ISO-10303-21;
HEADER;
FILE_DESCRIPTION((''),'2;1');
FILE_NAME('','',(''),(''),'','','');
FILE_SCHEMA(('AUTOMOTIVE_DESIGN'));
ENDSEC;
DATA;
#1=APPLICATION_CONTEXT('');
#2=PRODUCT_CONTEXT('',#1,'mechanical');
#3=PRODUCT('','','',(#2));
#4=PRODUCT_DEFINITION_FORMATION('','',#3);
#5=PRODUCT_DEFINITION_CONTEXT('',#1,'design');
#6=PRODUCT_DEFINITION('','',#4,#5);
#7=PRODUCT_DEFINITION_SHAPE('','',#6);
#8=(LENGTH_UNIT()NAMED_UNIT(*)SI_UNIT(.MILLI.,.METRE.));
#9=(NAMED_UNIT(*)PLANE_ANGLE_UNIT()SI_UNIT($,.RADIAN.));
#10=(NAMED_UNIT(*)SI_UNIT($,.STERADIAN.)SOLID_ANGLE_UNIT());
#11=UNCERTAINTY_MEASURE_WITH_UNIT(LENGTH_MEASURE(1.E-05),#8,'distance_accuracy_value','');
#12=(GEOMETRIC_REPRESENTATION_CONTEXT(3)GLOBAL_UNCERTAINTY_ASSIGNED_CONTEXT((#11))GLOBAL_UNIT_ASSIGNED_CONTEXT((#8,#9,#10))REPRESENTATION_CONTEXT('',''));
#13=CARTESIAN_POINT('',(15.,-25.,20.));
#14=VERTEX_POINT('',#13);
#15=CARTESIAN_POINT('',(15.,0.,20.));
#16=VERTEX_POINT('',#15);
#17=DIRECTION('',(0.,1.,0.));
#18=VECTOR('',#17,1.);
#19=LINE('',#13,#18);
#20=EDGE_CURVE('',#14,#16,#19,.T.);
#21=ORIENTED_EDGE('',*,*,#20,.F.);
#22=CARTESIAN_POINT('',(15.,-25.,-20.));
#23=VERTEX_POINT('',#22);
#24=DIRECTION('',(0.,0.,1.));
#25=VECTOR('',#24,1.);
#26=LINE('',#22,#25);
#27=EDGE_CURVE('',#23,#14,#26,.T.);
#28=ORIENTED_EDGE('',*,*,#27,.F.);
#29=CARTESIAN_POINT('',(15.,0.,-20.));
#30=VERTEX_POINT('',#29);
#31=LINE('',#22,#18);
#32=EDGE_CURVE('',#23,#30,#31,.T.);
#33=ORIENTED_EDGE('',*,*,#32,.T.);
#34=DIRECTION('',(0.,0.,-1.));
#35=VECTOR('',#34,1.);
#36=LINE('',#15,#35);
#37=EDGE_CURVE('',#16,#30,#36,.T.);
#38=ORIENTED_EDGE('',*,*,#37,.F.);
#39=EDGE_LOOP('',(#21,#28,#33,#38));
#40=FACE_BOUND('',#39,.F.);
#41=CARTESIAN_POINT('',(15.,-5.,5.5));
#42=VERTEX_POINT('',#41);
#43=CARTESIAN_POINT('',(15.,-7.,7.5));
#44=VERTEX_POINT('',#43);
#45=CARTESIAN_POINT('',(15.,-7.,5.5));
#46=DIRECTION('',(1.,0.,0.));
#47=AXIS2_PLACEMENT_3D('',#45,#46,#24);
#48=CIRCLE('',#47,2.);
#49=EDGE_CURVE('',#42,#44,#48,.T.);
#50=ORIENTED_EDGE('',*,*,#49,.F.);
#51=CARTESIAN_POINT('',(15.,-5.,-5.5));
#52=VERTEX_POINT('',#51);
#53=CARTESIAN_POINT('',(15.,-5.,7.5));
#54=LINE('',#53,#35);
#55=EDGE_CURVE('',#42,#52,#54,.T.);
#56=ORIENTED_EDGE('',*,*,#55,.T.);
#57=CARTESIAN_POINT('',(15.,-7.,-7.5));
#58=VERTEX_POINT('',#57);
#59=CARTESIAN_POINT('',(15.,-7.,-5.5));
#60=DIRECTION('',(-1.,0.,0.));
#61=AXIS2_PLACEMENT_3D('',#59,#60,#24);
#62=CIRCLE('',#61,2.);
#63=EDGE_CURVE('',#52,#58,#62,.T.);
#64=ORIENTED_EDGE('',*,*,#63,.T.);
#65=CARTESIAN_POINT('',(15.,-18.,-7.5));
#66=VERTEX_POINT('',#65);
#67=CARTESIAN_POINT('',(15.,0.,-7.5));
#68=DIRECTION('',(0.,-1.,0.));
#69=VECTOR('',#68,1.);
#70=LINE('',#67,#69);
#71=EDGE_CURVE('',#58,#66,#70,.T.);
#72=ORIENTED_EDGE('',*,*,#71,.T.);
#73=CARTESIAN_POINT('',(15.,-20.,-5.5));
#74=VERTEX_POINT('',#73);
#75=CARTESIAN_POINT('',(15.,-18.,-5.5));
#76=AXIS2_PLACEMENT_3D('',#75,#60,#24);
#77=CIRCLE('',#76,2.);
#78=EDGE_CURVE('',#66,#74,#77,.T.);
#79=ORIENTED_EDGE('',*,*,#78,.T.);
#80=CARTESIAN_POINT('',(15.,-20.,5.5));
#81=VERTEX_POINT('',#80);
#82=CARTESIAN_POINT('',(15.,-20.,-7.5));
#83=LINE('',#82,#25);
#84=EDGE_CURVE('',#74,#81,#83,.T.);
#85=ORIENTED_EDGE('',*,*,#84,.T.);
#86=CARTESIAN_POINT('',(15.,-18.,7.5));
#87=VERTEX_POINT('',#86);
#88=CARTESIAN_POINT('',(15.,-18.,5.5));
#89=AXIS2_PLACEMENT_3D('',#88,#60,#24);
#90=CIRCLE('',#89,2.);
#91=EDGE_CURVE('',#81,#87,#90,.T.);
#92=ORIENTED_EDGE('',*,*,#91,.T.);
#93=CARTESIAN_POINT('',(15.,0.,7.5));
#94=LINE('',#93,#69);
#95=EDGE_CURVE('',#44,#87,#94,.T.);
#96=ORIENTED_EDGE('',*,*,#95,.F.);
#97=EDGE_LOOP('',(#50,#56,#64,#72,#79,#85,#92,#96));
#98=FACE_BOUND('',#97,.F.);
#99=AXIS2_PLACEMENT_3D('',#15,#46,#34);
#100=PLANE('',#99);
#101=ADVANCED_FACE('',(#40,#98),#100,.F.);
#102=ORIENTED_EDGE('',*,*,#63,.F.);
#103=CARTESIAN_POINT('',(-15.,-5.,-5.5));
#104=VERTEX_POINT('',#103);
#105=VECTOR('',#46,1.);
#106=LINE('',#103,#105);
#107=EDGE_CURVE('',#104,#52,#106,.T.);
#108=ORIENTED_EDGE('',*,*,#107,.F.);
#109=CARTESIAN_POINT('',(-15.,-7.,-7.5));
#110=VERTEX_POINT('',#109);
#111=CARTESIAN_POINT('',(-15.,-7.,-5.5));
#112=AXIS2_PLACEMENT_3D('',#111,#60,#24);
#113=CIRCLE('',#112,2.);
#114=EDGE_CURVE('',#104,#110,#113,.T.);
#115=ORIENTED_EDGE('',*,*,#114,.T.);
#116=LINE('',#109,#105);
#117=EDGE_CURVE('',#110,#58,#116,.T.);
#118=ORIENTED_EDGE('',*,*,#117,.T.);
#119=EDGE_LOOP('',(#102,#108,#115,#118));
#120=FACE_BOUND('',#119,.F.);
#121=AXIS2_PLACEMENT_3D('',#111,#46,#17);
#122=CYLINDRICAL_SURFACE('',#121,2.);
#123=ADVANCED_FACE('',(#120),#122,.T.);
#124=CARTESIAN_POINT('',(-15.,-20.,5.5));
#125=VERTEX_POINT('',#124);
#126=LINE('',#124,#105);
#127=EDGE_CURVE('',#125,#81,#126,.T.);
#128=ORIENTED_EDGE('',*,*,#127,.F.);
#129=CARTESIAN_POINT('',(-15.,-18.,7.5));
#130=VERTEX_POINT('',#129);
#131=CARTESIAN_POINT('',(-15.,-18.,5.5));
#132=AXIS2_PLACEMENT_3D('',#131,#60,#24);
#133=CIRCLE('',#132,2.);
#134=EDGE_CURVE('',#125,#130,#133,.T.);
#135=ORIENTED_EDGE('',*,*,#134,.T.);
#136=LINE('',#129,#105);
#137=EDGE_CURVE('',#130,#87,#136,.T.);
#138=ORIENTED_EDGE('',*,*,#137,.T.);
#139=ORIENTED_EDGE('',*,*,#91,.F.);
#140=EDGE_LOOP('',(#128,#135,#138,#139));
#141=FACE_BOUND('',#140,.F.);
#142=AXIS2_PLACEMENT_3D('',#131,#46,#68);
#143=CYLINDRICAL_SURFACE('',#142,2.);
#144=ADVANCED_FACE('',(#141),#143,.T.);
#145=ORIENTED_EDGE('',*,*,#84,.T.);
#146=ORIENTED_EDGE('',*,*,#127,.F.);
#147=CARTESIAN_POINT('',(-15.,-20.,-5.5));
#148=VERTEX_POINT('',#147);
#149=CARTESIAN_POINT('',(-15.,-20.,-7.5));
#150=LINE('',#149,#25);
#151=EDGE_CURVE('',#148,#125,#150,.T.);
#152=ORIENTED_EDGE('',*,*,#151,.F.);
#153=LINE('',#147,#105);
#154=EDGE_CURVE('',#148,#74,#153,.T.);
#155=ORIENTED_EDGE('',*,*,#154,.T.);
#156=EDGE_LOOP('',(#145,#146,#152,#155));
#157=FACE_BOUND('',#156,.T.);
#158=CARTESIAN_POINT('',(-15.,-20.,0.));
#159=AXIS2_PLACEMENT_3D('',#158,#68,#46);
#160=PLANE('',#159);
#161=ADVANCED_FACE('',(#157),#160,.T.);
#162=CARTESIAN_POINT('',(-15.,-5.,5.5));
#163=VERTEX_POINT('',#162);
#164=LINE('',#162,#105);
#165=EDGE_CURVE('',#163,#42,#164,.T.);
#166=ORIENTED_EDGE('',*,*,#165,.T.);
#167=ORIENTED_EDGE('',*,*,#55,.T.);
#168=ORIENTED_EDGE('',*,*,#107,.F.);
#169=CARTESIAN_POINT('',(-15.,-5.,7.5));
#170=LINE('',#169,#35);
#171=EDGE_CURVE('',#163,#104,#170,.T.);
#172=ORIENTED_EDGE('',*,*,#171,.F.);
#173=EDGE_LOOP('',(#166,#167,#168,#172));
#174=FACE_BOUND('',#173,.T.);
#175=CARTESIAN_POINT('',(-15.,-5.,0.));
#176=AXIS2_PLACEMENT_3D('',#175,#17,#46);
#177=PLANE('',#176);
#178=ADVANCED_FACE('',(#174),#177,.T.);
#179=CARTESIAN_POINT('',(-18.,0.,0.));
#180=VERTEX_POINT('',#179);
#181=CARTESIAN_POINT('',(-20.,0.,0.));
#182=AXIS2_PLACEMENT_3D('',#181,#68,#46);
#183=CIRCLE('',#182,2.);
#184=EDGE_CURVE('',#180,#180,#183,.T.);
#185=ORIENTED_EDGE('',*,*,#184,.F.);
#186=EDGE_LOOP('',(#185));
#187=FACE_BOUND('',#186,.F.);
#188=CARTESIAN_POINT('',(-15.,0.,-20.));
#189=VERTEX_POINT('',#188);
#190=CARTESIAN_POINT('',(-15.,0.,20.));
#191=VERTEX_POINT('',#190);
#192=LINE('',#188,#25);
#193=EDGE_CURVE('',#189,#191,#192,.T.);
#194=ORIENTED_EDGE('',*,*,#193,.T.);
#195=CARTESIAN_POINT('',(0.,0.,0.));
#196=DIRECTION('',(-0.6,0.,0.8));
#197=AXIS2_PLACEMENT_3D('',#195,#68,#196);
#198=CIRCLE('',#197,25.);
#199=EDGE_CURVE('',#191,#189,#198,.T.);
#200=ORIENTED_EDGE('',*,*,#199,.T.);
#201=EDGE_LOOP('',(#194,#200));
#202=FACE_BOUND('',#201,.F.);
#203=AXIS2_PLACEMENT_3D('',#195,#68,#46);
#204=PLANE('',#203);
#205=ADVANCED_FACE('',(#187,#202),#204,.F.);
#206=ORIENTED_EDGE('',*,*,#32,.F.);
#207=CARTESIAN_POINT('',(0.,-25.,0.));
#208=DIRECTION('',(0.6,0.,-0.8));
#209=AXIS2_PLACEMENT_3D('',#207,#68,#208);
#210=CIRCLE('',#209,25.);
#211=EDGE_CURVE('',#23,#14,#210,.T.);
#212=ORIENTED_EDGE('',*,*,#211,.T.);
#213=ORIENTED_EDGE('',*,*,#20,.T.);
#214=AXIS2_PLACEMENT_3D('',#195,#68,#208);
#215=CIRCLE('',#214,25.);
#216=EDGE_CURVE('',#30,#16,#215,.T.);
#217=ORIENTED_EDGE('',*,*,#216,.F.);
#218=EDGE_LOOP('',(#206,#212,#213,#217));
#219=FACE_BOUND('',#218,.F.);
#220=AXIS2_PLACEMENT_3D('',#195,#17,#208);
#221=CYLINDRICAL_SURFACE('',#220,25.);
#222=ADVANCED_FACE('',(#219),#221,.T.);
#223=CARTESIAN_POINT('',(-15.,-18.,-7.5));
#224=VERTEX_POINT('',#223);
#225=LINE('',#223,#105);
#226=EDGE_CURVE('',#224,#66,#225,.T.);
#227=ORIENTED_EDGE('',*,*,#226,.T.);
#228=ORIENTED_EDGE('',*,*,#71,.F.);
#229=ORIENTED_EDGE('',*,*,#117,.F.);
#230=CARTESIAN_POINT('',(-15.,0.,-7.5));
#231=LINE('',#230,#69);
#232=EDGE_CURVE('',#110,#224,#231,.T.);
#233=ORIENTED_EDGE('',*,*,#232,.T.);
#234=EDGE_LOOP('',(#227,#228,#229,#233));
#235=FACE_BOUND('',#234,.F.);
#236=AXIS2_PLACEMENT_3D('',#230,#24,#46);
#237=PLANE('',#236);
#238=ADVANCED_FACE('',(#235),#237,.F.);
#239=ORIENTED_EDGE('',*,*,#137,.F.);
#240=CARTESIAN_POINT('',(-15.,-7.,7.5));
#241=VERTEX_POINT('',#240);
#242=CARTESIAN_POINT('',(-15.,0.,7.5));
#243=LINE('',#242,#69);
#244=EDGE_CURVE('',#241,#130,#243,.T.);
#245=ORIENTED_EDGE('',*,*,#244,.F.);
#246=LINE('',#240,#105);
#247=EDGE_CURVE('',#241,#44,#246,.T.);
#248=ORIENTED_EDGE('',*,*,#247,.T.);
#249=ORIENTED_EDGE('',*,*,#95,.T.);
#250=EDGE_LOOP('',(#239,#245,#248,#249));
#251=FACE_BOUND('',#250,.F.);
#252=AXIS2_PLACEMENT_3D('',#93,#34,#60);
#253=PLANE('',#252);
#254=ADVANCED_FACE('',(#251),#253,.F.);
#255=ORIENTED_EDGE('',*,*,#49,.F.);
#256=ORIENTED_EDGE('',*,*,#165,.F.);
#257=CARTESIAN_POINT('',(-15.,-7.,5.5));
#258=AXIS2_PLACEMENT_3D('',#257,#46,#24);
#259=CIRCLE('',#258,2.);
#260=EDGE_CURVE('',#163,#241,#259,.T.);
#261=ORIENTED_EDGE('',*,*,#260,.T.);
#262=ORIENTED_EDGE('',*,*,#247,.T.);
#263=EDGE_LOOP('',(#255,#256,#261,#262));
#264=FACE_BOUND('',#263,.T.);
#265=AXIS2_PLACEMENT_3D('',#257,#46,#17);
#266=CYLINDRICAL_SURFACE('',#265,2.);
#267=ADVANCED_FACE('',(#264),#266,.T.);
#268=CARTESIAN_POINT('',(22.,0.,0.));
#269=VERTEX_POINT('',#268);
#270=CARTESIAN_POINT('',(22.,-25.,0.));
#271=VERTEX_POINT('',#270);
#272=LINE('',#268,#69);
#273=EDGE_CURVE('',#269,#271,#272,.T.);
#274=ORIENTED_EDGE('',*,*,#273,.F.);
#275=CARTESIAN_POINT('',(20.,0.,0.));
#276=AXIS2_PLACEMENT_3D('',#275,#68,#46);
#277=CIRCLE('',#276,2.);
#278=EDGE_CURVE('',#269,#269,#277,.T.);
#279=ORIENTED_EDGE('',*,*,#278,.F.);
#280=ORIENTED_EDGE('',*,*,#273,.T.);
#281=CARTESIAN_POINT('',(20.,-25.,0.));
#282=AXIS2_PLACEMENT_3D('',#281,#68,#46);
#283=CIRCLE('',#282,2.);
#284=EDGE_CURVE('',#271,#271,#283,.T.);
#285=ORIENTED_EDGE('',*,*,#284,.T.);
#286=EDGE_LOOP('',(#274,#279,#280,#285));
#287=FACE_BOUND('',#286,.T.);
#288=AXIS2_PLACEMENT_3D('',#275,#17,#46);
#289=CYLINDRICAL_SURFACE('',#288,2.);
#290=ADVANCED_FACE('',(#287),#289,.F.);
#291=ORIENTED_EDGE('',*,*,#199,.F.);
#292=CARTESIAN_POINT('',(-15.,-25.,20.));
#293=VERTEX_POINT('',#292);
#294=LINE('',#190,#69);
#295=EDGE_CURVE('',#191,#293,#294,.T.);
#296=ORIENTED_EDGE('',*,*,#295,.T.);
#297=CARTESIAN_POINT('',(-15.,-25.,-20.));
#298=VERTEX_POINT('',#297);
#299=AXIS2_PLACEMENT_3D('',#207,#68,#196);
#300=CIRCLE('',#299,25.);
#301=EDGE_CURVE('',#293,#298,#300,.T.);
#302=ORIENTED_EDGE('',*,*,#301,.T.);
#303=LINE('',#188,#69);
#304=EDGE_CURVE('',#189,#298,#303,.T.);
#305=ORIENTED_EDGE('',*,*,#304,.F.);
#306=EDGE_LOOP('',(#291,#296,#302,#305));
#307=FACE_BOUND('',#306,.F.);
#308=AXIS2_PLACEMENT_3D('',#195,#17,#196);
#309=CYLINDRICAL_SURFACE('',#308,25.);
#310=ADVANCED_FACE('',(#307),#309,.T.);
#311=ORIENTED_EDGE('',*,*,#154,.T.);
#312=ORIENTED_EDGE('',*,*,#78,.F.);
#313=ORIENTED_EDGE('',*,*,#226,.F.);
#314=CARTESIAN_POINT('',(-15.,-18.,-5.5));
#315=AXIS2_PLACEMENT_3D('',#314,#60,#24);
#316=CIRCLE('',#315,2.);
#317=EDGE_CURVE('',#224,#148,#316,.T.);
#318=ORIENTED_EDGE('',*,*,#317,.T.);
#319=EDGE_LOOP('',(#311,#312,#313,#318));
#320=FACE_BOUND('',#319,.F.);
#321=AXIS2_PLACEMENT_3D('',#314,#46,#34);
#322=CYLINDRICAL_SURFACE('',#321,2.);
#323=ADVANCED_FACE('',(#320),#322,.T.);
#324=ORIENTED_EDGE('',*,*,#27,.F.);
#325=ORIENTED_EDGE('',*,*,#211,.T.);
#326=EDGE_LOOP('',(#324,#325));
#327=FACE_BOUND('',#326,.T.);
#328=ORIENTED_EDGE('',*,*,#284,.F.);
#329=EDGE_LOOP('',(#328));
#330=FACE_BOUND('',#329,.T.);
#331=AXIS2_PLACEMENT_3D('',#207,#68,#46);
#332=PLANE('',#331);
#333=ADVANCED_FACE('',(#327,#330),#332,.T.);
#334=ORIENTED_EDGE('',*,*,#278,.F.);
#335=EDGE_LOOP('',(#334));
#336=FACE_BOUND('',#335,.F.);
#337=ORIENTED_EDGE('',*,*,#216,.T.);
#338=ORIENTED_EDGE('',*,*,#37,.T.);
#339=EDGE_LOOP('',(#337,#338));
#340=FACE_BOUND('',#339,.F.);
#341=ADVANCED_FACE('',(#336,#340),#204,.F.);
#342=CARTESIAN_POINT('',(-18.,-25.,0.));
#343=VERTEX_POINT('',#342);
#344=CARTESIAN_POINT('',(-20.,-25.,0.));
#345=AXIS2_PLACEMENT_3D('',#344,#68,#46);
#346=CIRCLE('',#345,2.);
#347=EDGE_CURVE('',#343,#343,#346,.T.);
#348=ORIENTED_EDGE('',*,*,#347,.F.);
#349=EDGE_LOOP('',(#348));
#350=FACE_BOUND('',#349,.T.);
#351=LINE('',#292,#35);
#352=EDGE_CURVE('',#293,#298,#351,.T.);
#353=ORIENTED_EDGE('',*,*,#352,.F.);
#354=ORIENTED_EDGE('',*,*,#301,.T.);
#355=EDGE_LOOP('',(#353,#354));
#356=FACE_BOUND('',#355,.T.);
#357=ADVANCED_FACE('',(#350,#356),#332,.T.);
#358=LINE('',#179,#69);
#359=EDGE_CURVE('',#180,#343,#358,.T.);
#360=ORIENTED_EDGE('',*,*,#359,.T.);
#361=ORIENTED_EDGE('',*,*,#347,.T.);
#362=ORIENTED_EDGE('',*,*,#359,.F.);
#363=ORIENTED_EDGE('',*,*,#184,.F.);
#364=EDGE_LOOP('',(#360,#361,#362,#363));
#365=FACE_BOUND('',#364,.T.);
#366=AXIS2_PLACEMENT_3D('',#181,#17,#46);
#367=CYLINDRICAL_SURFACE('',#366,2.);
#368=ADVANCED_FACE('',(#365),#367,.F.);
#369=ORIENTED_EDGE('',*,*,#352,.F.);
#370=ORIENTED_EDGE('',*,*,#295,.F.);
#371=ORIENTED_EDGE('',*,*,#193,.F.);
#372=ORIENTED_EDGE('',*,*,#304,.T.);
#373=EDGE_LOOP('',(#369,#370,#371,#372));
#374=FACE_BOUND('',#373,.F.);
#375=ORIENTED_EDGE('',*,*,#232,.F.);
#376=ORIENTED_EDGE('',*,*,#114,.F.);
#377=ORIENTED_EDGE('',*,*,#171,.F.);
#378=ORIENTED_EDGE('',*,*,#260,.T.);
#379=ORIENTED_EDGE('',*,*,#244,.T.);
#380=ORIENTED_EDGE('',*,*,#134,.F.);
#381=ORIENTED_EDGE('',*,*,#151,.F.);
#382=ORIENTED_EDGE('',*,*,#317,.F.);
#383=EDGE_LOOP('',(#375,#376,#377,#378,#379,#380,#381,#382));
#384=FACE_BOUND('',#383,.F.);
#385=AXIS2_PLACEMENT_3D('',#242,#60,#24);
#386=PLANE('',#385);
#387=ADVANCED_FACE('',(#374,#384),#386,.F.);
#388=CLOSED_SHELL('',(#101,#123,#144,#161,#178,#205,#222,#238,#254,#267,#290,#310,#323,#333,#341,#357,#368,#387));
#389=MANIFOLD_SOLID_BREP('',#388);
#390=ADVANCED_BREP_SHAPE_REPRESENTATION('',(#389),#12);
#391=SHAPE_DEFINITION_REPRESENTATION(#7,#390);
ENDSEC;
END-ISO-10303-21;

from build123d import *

# Parameters (mm, degrees)
F0_R          = 2
F1_DEPTH      = 25
F2_W          = 30
F2_H          = 12.4809114001
F3_DEPTH      = 25
F3_DEPTH_BACK = 25
F4_R          = 2


with BuildPart() as f1:
    # F0 (on Front) → F1 (new body)
    with BuildSketch(Plane.XZ):
        with BuildLine():
            Line((-15, 7.5), (-15, 20))
            ThreePointArc((-15, 20), (-25, 0), (-15, -20))
            Line((-15, -20), (-15, -7.5))
            Line((-15, -7.5), (15, -7.5))
            Line((15, -7.5), (15, -20))
            ThreePointArc((15, -20), (25, 0), (15, 20))
            Line((15, 20), (15, 7.5))
            Line((15, 7.5), (-15, 7.5))
        make_face()
        with Locations((-20, 0)):
            Circle(F0_R, mode=Mode.SUBTRACT)
        with Locations((20, 0)):
            Circle(F0_R, mode=Mode.SUBTRACT)
    extrude(amount=F1_DEPTH)

    # F2 (on Top) → F3 (cut, two sides)
    with BuildSketch(Plane.XY) as f3_sk:
        with Locations((0, 1.2404557001)):
            Rectangle(F2_W, F2_H)
        with Locations((0, -26.2404557001)):
            Rectangle(F2_W, F2_H)
    extrude(amount=-F3_DEPTH, mode=Mode.SUBTRACT)
    extrude(f3_sk.sketch, amount=F3_DEPTH_BACK, mode=Mode.SUBTRACT)

    # F4
    f4_edges = [f1.edges().sort_by_distance(p)[0] for p in [
        (0, -20, 7.5),
        (0, -20, -7.5),
        (0, -5, -7.5),
        (0, -5, 7.5),
    ]]
    fillet(f4_edges, radius=F4_R)


solid = f1.part
